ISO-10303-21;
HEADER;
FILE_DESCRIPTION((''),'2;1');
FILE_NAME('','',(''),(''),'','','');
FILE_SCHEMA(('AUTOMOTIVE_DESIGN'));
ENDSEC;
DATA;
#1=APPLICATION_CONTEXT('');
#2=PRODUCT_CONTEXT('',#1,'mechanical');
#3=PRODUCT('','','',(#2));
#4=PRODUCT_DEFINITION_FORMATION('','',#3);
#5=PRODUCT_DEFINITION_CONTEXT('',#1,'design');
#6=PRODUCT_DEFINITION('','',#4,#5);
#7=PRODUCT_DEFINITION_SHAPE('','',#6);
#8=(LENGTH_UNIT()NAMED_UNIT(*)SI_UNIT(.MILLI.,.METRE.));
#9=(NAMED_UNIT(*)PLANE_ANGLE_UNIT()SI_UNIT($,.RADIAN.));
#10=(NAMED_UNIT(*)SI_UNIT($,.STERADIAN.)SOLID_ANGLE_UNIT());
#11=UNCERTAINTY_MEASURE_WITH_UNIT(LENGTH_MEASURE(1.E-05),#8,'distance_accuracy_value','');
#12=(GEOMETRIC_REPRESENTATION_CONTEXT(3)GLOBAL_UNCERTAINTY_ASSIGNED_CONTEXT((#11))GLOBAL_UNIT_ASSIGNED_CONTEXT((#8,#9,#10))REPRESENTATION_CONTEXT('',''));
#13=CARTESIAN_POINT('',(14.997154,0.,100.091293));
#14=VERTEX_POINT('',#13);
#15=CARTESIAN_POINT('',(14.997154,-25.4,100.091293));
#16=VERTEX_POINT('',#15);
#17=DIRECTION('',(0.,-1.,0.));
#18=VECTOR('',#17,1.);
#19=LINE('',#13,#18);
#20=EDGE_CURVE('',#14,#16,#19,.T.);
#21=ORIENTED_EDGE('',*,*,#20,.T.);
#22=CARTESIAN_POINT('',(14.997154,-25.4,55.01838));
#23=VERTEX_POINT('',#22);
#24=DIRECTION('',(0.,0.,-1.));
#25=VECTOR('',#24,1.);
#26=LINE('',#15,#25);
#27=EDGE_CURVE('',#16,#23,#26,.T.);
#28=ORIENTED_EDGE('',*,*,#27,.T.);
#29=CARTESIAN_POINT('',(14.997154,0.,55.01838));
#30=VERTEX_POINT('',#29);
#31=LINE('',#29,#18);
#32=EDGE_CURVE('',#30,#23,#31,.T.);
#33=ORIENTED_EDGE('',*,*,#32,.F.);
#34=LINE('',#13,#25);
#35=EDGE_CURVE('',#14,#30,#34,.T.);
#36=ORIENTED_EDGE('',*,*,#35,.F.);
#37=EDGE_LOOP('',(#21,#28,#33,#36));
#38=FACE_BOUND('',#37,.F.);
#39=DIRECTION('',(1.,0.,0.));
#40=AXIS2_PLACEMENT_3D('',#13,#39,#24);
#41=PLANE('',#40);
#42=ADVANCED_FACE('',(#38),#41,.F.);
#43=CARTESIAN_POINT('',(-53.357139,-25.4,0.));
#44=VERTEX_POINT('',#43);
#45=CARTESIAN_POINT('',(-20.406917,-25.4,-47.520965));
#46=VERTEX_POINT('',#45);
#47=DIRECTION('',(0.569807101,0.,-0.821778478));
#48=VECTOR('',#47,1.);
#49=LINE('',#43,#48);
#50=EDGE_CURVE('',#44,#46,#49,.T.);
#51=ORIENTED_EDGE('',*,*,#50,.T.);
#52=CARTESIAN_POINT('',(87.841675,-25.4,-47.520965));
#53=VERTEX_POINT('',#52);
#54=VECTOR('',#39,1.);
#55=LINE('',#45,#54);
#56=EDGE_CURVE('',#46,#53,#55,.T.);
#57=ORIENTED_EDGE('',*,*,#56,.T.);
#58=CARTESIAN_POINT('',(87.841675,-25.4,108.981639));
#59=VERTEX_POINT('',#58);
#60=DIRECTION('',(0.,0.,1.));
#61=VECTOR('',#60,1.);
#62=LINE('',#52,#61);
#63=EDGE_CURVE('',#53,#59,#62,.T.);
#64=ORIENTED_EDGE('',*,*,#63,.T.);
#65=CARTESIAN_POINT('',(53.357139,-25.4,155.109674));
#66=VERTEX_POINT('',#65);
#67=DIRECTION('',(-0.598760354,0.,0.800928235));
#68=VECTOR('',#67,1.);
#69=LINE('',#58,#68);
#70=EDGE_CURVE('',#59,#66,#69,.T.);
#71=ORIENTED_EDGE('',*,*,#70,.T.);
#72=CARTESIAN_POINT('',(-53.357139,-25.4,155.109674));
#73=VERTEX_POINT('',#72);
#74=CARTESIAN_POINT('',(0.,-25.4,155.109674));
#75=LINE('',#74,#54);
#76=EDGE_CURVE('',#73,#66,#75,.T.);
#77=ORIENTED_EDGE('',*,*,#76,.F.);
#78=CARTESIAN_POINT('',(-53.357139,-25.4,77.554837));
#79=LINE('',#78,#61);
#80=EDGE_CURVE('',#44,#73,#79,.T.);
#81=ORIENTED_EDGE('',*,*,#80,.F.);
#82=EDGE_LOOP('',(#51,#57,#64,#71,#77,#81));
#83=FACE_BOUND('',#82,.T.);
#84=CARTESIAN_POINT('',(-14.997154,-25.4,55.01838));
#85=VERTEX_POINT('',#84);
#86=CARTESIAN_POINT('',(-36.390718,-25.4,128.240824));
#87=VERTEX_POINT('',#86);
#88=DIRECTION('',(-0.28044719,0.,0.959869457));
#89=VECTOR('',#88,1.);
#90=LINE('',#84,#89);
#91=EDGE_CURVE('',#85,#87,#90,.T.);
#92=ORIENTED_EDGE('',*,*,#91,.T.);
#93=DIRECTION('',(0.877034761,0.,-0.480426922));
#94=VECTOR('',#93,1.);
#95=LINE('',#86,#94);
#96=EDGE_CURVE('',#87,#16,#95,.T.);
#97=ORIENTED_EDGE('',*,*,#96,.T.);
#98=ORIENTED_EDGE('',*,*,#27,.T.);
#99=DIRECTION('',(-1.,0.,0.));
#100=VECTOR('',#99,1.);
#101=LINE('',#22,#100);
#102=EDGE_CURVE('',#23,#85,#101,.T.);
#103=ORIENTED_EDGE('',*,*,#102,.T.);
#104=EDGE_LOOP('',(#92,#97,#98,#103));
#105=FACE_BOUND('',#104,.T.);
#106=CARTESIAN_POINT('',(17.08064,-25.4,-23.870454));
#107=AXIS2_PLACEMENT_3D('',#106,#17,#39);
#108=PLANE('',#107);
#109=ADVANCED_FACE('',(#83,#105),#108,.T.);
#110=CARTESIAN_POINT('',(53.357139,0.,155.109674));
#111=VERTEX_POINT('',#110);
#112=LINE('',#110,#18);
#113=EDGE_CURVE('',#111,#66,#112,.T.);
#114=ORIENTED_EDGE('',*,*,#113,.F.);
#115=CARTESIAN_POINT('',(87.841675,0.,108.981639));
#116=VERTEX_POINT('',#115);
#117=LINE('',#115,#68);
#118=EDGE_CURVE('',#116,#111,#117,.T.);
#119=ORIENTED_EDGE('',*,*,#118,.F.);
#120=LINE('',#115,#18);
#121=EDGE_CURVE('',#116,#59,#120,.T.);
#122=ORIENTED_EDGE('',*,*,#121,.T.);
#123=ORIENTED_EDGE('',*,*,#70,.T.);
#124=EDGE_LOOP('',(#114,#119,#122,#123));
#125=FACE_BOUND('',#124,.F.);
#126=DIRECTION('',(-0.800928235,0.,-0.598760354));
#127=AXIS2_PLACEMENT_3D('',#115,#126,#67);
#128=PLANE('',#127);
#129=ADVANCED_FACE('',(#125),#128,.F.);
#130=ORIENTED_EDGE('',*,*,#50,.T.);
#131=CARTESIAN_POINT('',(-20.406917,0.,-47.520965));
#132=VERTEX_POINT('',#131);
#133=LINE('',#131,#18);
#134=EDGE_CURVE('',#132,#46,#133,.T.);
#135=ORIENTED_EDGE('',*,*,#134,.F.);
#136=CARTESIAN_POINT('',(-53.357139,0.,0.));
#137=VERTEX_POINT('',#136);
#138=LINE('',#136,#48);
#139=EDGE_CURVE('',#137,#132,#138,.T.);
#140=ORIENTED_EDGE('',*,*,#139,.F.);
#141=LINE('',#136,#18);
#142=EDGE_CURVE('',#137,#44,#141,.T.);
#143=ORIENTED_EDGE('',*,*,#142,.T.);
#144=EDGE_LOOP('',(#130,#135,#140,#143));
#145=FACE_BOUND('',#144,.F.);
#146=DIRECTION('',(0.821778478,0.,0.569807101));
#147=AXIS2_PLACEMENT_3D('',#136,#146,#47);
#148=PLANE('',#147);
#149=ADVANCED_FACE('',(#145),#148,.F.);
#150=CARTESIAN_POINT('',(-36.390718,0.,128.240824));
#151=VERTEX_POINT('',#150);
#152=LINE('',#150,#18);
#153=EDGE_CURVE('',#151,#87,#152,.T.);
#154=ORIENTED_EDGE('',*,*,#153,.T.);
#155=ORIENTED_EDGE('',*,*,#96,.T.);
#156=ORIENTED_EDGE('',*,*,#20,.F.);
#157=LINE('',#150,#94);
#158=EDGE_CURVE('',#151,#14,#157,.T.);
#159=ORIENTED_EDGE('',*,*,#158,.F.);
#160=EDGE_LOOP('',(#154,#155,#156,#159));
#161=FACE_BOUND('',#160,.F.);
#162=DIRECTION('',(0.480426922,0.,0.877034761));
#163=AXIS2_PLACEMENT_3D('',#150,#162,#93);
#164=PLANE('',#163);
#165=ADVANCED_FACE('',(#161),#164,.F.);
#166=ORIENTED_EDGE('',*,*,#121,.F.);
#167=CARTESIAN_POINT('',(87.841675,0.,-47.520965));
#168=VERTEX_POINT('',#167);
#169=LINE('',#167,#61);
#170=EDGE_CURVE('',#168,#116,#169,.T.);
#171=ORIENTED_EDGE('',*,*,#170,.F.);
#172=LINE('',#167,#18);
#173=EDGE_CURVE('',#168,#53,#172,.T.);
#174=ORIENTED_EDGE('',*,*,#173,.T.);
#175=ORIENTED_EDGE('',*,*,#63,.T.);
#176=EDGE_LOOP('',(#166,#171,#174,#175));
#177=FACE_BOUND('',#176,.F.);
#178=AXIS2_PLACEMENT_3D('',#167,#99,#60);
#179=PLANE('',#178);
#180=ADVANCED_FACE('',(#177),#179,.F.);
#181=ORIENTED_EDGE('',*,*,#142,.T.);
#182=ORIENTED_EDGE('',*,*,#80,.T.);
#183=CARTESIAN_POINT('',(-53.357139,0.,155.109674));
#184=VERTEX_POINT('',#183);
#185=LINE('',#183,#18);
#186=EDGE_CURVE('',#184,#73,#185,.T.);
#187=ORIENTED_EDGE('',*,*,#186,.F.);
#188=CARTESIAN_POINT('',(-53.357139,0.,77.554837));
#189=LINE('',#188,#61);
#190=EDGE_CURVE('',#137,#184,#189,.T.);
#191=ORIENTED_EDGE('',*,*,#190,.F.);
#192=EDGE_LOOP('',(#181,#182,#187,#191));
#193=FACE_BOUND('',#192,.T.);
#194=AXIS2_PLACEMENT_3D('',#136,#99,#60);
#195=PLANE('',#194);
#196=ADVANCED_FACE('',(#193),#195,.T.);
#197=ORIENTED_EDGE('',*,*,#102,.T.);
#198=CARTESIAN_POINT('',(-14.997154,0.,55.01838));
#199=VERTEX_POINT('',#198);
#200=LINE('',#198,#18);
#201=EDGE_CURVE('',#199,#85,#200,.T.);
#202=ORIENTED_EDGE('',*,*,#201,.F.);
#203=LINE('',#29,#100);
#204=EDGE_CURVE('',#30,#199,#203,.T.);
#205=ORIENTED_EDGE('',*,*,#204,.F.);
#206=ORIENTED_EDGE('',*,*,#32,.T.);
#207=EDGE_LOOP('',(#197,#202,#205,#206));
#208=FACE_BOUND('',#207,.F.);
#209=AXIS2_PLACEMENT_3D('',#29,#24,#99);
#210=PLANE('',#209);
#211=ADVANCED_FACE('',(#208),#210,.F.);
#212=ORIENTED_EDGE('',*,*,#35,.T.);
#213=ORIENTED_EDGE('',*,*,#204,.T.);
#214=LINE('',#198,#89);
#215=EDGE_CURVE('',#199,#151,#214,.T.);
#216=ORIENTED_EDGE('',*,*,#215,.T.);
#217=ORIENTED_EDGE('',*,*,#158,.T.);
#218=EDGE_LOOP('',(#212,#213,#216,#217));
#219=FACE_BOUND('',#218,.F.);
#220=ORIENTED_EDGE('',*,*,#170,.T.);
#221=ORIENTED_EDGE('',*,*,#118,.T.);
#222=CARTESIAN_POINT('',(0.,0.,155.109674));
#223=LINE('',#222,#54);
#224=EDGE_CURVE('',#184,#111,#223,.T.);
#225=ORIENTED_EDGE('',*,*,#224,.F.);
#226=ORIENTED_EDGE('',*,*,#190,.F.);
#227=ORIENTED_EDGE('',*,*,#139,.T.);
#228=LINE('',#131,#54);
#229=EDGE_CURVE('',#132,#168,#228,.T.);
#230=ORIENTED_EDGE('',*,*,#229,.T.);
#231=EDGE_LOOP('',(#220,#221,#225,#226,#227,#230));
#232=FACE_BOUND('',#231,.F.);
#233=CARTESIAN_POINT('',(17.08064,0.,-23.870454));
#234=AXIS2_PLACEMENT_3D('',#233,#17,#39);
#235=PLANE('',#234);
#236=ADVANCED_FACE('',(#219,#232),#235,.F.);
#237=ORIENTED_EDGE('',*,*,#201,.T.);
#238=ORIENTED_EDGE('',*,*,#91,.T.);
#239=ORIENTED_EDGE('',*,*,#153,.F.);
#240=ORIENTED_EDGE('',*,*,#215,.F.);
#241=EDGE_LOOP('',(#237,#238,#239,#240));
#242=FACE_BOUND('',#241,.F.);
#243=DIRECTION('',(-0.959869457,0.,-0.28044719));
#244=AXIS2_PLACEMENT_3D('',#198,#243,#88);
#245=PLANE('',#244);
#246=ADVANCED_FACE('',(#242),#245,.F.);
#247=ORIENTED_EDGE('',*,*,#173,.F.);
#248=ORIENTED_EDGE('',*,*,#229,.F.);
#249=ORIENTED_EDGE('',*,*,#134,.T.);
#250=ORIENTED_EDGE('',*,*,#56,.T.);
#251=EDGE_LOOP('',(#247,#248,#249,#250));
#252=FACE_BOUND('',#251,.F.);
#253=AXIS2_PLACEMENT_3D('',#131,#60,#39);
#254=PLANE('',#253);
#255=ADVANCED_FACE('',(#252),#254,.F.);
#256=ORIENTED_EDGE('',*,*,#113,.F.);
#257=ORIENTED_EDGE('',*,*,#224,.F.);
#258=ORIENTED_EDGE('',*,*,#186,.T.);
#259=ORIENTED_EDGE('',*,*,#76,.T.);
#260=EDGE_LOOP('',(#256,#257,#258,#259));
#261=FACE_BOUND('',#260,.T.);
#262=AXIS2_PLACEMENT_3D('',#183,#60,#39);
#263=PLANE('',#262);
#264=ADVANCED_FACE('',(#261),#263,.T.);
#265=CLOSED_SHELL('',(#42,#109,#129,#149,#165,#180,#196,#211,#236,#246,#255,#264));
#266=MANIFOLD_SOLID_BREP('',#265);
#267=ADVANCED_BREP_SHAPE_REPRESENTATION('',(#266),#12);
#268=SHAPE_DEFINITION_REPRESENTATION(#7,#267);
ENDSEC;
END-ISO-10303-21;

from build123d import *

# Parameters (mm, degrees)
F0_W     = 106.714278
F0_H     = 155.109674
F1_DEPTH = 25.4


with BuildPart() as f1:
    # F0 (on Front) → F1 (new body)
    with BuildSketch(Plane.XZ):
        Polygon((87.841675, -47.520965), (53.357139, 0), (-53.357139, 0), (-20.406917, -47.520965), align=None)
        with Locations((0, 77.554837)):
            Rectangle(F0_W, F0_H)
        Polygon((14.997154, 55.01838), (-14.997154, 55.01838), (-36.390718, 128.240824), (14.997154, 100.091293), align=None, mode=Mode.SUBTRACT)
        Polygon((53.357139, 155.109674), (53.357139, 0), (87.841675, -47.520965), (87.841675, 108.981639), align=None)
    extrude(amount=F1_DEPTH)


solid = f1.part
